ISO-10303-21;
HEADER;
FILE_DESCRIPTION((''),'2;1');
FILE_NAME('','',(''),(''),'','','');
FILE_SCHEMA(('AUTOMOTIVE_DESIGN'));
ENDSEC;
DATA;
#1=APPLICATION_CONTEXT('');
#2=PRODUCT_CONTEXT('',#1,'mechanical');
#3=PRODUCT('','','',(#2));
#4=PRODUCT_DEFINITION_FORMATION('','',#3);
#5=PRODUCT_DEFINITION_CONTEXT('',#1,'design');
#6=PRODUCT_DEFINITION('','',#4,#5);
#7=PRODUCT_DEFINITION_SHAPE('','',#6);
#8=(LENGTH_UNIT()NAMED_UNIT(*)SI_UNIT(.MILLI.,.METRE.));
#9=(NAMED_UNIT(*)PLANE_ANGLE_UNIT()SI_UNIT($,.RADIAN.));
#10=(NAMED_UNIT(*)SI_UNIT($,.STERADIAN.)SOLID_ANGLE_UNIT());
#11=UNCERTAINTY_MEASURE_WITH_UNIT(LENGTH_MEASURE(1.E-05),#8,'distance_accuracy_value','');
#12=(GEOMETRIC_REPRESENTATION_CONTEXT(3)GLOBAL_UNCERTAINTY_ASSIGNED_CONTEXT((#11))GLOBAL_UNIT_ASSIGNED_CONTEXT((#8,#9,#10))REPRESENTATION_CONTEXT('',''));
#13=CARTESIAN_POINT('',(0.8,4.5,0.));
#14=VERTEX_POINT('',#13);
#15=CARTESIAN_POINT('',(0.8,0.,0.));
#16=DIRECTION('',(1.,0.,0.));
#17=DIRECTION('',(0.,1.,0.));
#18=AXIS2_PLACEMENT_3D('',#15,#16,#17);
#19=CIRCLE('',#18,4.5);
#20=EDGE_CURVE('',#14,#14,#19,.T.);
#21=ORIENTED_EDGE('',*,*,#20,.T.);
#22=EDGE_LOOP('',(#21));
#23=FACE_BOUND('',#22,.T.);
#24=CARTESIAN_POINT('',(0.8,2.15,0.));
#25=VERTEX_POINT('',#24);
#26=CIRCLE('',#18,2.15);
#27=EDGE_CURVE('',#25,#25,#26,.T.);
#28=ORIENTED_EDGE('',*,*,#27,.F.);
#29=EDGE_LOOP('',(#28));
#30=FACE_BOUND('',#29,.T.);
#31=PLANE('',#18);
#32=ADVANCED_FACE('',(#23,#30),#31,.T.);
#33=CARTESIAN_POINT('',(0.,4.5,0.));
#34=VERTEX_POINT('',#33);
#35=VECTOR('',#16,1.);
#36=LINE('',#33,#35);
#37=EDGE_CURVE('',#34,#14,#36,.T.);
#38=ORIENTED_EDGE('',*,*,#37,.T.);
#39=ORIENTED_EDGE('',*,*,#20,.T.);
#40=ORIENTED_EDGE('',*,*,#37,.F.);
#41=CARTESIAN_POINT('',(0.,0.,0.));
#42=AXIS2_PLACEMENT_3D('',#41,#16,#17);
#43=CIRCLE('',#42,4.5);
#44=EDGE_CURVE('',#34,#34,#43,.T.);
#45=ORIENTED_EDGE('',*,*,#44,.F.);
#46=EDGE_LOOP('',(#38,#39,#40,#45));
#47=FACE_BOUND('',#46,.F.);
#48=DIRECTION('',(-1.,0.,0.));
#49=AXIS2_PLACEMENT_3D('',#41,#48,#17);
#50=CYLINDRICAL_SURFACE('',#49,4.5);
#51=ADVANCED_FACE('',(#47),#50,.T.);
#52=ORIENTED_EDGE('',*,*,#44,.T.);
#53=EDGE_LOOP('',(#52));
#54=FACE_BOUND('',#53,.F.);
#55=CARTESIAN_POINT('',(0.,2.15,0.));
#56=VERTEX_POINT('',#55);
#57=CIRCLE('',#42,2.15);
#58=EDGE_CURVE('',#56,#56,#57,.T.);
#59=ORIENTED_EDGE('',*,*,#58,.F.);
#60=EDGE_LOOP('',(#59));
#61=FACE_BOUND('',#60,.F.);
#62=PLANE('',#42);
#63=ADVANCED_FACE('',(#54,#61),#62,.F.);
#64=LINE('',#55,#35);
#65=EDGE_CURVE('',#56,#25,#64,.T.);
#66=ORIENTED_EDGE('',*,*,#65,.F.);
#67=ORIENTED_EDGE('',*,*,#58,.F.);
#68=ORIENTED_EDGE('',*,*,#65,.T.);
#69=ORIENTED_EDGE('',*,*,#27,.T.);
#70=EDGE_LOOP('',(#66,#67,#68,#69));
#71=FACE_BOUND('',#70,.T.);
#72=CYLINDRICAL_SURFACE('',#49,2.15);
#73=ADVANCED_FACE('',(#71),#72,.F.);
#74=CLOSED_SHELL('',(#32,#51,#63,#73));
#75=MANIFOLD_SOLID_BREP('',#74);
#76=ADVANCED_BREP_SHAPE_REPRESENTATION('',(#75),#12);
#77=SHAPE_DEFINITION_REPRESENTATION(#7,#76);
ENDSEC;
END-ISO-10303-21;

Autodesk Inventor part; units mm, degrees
ref_plane "YZ Plane" through (0, 0, 0) normal (1, 0, 0) x (0, 1, 0)
ref_plane "XZ Plane" through (0, 0, 0) normal (0, 1, 0) x (-1, 0, 0)
sketch "Skizze" plane through (0, 0, 0) normal (1, 0, 0) x (0, 1, 0)
  circle A0 centre (0, 0) radius 4.5
  circle A1 centre (0, 0) radius 2.15
  dimension "d0" = 4.3
  dimension "d1" = 9
extrude "Körper" add sketch "Skizze" along normal blind 0.8
ref_plane "Work Plane1" through (0, 0, 0) normal (0, 0, 1) x (1, 0, 0)
equation "\"d0\" = SD1"
equation "\"d1\" = SD2"
equation "\"d2\" = SD"
equation "\"SD1\" = 4.3"
equation "\"SD2\" = 9"
equation "\"SD\" = 0.8"
equation "\"NND\" = 4"
properties part number "DIN 125 - A 4,3" material "Stahl, weich"
